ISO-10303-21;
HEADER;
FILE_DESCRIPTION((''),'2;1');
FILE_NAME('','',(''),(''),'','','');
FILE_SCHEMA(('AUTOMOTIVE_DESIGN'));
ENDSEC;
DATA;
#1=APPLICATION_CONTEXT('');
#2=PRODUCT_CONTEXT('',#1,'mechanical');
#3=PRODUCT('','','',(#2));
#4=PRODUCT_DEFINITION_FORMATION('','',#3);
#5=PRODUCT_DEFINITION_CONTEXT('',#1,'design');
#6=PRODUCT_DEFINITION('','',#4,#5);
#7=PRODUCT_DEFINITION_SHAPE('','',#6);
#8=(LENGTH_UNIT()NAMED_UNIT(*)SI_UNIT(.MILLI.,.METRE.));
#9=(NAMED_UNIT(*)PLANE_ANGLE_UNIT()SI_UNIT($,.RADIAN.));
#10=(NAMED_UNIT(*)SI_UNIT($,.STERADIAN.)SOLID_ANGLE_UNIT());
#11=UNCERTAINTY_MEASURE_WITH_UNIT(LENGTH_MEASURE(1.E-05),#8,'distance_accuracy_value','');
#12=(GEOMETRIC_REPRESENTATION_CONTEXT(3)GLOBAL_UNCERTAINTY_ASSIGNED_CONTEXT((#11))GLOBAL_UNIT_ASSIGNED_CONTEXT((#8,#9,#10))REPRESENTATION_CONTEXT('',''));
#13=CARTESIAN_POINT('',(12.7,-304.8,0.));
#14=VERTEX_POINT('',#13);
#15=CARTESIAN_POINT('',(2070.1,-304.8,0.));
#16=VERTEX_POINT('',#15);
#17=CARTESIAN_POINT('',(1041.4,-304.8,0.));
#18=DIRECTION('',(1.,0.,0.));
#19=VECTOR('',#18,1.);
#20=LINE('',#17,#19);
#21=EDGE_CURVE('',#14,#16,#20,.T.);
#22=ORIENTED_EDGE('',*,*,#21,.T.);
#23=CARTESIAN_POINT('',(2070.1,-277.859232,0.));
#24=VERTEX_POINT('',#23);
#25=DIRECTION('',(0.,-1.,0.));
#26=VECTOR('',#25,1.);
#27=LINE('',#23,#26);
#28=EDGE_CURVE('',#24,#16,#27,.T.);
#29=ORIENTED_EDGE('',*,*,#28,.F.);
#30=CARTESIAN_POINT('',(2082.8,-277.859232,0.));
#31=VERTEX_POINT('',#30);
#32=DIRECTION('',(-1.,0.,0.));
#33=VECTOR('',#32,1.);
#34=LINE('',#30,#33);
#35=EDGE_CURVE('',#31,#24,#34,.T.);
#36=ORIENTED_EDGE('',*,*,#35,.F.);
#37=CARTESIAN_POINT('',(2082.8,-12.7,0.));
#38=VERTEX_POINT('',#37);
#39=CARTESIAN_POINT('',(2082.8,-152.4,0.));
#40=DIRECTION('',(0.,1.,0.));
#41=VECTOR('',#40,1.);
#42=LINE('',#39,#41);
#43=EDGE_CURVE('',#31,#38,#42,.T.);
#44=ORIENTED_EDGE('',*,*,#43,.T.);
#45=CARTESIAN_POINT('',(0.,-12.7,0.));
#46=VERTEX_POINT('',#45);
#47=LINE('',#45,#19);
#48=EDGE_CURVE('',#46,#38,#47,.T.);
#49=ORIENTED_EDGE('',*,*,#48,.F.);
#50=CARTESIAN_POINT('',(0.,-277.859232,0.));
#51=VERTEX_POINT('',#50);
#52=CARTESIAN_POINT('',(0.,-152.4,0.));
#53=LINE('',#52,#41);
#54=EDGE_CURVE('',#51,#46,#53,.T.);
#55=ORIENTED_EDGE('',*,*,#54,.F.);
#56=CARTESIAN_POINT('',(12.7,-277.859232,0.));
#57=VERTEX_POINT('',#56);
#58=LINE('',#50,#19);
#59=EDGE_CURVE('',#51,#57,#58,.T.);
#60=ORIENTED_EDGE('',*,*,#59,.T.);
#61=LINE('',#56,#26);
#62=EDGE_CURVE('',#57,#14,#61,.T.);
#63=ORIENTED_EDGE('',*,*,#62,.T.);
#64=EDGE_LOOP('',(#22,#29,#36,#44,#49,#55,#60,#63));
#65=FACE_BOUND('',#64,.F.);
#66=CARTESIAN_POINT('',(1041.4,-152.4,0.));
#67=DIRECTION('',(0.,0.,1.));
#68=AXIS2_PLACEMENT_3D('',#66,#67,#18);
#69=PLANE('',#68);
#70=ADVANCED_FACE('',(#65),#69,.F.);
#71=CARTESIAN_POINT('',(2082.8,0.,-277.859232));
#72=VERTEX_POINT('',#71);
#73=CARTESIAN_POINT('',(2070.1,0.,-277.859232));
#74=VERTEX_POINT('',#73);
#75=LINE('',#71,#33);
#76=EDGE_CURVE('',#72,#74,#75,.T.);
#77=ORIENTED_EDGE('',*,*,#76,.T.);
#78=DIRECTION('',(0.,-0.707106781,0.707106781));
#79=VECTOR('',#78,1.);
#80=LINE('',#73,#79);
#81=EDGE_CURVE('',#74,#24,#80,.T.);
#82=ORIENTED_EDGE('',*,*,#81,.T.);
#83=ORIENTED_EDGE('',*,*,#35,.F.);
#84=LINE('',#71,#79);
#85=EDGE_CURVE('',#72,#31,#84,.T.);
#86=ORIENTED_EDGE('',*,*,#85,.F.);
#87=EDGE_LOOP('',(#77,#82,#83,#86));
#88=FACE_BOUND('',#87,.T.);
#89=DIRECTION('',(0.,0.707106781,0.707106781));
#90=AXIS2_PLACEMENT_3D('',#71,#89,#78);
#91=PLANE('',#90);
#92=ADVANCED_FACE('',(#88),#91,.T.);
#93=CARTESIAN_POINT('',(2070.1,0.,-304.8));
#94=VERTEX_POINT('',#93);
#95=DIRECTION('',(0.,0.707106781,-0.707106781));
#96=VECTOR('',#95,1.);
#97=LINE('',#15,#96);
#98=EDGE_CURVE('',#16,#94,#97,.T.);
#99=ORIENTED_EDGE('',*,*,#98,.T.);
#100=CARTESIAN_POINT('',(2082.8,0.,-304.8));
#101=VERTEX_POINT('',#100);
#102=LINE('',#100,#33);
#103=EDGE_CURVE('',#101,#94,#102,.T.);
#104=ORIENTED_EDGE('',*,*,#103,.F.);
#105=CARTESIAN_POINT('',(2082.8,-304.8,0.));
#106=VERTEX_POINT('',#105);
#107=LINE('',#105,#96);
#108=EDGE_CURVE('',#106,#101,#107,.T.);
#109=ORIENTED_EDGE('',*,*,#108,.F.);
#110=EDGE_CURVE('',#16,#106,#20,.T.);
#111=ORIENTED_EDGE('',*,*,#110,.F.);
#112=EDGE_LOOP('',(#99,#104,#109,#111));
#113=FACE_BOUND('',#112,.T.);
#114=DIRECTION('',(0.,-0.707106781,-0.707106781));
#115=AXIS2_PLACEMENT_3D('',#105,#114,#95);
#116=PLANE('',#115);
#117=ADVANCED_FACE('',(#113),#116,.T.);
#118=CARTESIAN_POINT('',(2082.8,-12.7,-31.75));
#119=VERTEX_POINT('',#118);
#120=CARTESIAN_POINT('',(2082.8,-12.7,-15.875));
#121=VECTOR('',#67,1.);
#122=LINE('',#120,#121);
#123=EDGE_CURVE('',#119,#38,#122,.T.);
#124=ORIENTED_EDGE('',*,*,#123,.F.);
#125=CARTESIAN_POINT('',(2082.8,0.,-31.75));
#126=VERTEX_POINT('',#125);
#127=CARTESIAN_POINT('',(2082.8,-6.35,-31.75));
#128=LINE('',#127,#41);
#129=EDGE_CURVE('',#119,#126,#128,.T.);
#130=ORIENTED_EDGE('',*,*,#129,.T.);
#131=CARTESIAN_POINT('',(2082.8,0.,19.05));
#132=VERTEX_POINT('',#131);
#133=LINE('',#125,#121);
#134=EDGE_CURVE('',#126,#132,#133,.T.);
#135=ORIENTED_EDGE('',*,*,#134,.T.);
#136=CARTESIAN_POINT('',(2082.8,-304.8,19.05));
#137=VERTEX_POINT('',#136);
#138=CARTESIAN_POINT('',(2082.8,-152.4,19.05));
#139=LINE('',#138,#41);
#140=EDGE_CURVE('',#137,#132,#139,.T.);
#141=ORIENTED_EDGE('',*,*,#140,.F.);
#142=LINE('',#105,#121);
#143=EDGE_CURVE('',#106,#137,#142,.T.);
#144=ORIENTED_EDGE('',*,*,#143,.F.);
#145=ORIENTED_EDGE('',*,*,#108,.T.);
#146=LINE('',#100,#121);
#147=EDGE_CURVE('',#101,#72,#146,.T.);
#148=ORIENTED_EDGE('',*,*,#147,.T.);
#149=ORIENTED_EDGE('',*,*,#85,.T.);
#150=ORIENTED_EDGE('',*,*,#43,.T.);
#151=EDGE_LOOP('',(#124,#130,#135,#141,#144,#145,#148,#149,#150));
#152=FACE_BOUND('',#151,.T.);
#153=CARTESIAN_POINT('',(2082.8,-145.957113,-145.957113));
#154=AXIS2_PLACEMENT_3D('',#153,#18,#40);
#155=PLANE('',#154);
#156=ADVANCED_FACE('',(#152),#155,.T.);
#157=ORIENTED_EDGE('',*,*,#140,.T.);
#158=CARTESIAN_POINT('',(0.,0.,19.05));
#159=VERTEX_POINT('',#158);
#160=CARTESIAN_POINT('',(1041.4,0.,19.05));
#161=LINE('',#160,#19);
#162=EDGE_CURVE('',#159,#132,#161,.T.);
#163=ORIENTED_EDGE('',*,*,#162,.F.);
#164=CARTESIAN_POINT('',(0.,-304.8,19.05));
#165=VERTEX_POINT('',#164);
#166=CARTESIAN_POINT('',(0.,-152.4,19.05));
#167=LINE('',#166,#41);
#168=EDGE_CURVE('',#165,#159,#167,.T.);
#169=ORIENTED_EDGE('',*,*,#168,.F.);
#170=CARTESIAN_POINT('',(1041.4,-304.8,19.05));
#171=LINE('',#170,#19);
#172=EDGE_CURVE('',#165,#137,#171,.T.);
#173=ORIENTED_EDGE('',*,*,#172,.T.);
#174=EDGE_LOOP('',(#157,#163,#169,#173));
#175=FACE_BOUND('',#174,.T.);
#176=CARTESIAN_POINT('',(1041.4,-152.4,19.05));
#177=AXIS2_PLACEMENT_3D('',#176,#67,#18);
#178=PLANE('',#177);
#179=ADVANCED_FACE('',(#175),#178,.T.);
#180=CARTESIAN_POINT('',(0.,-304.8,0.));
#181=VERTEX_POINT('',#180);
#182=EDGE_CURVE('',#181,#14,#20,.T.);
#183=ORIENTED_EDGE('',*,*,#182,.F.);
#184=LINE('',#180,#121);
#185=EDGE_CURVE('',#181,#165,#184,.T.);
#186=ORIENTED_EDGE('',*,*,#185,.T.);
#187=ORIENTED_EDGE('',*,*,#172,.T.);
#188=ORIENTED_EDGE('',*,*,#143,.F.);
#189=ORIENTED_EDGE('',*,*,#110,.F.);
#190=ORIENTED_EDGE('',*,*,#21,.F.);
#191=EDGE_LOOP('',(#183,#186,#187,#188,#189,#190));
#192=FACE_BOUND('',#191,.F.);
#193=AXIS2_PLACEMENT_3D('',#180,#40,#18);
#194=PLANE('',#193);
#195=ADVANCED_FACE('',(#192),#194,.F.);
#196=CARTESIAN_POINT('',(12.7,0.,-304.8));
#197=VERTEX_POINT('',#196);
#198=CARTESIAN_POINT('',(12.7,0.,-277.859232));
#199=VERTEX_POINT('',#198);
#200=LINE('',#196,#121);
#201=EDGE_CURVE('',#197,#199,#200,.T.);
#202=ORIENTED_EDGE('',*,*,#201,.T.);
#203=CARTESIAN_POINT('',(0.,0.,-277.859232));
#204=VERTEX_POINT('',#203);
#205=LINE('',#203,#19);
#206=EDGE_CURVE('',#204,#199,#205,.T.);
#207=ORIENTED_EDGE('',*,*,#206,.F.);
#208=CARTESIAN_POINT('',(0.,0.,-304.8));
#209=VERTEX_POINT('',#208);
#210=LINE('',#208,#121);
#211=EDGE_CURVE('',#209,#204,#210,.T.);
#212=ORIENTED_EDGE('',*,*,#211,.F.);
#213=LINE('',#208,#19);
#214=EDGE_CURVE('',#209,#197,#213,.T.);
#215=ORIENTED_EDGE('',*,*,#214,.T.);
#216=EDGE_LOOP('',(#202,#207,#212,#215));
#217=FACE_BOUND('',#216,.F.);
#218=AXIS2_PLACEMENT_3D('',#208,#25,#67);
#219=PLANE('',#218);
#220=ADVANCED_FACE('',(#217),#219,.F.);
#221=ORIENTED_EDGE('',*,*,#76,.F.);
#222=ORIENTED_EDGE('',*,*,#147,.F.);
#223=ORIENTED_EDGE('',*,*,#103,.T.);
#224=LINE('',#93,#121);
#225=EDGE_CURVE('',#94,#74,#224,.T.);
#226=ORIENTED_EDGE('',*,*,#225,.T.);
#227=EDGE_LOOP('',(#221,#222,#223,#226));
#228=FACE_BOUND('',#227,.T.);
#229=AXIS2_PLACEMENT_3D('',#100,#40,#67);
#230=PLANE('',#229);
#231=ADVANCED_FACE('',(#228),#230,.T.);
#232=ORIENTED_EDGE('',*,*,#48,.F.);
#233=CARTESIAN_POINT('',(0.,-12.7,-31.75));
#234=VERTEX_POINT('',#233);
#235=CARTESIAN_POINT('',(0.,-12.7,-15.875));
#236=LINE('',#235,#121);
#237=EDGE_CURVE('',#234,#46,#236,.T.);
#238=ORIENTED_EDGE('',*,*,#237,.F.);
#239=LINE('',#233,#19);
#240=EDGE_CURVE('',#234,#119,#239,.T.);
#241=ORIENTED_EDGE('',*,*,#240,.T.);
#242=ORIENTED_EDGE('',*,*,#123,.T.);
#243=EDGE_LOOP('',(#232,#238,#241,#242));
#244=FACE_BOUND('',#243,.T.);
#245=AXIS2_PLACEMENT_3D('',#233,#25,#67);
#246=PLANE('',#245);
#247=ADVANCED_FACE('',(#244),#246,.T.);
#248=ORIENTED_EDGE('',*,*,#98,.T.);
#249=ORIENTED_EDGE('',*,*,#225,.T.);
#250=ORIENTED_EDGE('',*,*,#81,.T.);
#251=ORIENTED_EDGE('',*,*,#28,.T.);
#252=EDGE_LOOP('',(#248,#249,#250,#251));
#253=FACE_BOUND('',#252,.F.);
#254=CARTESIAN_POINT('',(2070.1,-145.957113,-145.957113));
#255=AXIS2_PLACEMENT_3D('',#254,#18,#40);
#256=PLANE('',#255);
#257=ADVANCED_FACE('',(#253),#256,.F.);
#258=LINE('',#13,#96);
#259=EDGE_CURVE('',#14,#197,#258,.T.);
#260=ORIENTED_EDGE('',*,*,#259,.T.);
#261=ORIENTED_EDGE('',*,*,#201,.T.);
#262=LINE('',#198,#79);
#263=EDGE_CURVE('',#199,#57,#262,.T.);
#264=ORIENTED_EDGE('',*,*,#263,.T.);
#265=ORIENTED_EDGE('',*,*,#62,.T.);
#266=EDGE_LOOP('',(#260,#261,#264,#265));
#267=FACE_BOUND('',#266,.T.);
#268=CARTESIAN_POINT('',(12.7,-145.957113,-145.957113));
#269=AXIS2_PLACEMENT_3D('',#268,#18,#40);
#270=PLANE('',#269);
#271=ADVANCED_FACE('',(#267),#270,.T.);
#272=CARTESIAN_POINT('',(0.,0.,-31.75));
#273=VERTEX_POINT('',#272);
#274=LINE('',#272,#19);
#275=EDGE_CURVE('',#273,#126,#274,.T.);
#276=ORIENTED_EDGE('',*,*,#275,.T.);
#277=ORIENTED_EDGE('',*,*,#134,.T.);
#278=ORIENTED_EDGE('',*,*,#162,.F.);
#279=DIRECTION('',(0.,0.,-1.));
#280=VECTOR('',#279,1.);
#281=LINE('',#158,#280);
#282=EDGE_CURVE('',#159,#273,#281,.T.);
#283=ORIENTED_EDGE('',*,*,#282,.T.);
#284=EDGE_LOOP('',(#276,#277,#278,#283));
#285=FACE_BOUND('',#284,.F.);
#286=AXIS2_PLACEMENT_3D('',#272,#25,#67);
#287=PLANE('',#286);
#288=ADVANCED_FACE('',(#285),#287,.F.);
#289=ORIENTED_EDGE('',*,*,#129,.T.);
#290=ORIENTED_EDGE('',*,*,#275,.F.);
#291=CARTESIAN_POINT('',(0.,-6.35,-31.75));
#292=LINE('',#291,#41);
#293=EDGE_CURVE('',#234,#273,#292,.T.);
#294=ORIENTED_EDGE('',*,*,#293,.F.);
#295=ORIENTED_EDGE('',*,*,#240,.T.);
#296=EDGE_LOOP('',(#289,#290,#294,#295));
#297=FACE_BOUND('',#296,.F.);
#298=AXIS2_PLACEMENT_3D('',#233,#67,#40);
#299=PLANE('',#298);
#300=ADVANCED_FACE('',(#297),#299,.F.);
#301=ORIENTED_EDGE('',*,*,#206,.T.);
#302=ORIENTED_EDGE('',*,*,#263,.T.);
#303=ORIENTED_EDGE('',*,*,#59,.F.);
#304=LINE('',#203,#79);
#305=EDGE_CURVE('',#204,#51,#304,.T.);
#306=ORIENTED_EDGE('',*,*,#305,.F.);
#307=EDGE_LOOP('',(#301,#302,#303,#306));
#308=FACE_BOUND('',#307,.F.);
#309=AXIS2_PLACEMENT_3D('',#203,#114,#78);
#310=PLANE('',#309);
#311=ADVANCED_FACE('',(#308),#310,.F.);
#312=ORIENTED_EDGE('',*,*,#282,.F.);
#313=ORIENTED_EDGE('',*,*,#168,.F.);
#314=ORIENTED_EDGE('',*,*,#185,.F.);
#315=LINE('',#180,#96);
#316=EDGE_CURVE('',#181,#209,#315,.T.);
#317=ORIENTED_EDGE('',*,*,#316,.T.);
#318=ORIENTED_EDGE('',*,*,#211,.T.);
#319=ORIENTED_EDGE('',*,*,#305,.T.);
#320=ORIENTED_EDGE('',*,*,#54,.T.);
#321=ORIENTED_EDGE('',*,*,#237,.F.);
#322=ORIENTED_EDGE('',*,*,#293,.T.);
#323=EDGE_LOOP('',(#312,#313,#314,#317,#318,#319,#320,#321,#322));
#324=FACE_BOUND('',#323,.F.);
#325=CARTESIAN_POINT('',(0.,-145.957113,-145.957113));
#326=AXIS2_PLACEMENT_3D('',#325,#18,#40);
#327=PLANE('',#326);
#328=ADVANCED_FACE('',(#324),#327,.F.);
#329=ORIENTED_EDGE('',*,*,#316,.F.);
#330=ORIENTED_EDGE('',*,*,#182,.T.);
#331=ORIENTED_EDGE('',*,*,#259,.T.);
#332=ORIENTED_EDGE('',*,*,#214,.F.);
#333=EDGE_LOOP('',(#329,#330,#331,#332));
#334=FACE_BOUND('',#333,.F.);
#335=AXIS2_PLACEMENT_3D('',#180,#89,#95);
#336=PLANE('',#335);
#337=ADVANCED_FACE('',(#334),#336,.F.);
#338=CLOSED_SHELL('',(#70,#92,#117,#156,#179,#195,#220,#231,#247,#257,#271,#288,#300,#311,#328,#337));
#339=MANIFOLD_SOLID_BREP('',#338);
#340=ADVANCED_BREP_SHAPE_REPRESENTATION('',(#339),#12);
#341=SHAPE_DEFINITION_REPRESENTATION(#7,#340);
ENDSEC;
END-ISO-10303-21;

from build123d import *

# Parameters (mm, degrees)
F0_W     = 2082.8
F0_H     = 304.8
F1_DEPTH = 19.05
F2_W     = 12.7
F2_H     = 31.75
F3_DEPTH = 2082.8
F5_DEPTH = 12.7
F7_DEPTH = 12.7


with BuildPart() as f1:
    # F0 (on Top) → F1 (new body)
    with BuildSketch(Plane.XY):
        with Locations((1041.4, -152.4)):
            Rectangle(F0_W, F0_H)
    extrude(amount=F1_DEPTH)

    # F2 (on Right) → F3 (join, through all)
    with BuildSketch(Plane.YZ):
        with Locations((-6.35, -15.875)):
            Rectangle(F2_W, F2_H)
    extrude(amount=F3_DEPTH)

    # F4 (on Right) → F5 (join)
    with BuildSketch(Plane.YZ):
        Polygon((-277.859232, 0), (-304.8, 0), (0, -304.8), (0, -277.859232), align=None)
    extrude(amount=F5_DEPTH)

    # F6 (on face) → F7 (join)
    with BuildSketch(Plane.YZ.offset(2082.8)):
        Polygon((0, -304.8), (0, -277.859232), (-277.859232, 0), (-304.8, 0), align=None)
    extrude(amount=-F7_DEPTH)


solid = f1.part
